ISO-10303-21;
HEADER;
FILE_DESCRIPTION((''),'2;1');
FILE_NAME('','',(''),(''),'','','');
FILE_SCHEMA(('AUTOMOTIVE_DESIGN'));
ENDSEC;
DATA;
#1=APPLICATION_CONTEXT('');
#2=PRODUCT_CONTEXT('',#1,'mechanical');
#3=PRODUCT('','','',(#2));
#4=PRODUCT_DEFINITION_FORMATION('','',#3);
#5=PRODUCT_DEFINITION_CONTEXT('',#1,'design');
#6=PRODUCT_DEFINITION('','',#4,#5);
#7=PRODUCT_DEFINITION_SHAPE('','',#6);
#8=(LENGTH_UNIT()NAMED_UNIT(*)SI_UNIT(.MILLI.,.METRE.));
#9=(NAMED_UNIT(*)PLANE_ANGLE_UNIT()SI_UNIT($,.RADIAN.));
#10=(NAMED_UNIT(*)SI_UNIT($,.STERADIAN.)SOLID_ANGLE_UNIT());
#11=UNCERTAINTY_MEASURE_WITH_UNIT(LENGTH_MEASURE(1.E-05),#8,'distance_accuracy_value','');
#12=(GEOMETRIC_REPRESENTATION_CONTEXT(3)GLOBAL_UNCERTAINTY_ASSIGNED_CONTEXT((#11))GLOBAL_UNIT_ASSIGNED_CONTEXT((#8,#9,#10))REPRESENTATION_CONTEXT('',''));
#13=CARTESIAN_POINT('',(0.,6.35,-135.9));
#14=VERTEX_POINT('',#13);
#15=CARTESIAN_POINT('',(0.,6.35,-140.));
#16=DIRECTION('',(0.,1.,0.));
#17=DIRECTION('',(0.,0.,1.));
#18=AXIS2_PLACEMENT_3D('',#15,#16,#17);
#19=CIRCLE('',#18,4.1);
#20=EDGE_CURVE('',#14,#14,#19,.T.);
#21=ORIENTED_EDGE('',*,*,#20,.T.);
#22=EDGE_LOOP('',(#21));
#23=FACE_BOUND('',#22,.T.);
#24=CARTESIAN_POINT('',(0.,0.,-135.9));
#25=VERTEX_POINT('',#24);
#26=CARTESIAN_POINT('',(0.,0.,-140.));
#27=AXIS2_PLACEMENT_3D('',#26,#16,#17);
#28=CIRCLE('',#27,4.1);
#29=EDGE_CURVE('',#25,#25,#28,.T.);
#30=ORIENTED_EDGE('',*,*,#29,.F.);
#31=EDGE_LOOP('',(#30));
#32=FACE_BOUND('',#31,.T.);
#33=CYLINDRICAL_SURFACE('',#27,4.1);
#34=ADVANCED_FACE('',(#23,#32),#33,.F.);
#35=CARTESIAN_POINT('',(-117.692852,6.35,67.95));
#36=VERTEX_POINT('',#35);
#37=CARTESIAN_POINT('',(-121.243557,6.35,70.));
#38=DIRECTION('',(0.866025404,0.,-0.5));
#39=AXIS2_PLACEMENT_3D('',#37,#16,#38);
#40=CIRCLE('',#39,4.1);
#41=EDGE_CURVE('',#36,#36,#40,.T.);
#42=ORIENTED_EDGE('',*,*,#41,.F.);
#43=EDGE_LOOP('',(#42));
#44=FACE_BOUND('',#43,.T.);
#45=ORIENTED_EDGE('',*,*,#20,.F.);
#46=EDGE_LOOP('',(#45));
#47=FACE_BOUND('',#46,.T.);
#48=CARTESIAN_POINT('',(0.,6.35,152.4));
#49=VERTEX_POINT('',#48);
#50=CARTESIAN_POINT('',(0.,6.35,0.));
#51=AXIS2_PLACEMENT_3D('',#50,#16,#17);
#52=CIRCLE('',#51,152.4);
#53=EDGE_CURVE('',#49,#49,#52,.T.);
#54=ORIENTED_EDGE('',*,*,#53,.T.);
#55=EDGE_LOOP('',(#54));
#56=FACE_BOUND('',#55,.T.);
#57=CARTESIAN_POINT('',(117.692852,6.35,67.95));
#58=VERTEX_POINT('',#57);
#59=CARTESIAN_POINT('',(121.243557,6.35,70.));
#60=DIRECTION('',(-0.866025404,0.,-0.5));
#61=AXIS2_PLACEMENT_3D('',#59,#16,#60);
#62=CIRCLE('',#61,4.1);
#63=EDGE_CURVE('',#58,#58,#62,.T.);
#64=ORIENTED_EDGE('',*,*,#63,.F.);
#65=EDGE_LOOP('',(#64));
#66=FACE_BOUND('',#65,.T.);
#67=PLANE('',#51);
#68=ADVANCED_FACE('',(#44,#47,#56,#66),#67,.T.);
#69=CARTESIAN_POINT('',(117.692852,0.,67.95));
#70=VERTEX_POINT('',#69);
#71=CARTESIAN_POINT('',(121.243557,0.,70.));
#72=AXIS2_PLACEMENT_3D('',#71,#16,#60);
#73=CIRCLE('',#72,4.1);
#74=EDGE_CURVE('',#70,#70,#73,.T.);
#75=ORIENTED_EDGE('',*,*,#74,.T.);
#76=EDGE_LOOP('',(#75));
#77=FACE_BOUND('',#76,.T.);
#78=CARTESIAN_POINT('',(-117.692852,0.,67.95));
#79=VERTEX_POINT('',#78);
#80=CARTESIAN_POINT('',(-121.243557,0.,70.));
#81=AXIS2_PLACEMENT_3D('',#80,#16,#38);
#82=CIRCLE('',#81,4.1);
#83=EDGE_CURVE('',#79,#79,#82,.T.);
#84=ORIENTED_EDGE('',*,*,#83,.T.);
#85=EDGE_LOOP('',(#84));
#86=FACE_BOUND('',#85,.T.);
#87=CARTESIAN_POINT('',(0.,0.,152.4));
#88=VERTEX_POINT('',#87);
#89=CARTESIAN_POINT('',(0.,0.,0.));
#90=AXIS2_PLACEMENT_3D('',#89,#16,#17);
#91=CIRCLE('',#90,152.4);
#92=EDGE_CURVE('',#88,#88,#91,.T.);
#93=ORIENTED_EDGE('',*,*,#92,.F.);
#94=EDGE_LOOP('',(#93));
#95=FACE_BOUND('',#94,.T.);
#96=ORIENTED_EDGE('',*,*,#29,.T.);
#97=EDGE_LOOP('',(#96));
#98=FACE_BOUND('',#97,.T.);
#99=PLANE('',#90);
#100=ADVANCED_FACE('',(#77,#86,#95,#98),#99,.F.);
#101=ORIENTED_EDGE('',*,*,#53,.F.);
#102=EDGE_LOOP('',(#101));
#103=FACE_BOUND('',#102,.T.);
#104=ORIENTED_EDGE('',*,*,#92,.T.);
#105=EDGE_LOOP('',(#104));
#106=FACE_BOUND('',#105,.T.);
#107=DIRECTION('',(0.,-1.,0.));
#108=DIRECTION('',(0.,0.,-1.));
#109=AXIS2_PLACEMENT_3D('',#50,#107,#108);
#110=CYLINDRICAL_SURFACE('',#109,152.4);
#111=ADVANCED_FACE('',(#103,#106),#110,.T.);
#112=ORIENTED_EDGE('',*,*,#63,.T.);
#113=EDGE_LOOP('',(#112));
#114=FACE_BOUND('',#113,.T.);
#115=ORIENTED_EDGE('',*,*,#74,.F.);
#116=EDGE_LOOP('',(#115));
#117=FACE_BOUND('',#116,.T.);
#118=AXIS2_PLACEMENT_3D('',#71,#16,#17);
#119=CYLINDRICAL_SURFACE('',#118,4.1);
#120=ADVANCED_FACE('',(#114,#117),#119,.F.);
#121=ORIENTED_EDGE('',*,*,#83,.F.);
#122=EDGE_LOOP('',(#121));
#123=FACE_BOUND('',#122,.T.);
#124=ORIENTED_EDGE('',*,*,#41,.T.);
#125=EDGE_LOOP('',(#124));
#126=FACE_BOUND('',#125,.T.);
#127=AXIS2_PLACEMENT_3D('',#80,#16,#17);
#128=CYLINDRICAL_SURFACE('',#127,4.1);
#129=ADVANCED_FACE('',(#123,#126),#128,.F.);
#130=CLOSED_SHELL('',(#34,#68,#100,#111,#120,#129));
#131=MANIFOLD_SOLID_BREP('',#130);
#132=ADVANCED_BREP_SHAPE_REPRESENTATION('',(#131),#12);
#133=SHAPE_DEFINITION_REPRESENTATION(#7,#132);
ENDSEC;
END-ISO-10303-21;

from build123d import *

# Parameters (mm, degrees)
SKETCH1_R           = 152.4
BOSS_EXTRUDE1_DEPTH = 6.35
SKETCH2_R           = 4.1
CUT_EXTRUDE1_DEPTH  = 7.35
CIRPATTERN1_COUNT   = 3


with BuildPart() as part:
    # Sketch1 → Boss-Extrude1 (new body)
    with BuildSketch(Plane(origin=(0, 0, 0), x_dir=(1, 0, 0), z_dir=(0, 1, 0))):
        Circle(SKETCH1_R)
    extrude(amount=BOSS_EXTRUDE1_DEPTH)

    # Sketch2 → Cut-Extrude1 (cut, through all)
    with BuildSketch(Plane(origin=(0, 6.35, 0), x_dir=(1, 0, 0), z_dir=(0, 1, 0))):
        with Locations((0, 140)):
            Circle(SKETCH2_R)
    cut_extrude1 = extrude(amount=-CUT_EXTRUDE1_DEPTH, mode=Mode.SUBTRACT)

    # CirPattern1: Cut-Extrude1 ×3 about axis
    cirpattern1_axis = Axis((0, 0, 0), (0, 1, 0))
    for i in range(1, CIRPATTERN1_COUNT):
        add(cut_extrude1.rotate(cirpattern1_axis, i * 360 / CIRPATTERN1_COUNT), mode=Mode.SUBTRACT)


solid = part.part
